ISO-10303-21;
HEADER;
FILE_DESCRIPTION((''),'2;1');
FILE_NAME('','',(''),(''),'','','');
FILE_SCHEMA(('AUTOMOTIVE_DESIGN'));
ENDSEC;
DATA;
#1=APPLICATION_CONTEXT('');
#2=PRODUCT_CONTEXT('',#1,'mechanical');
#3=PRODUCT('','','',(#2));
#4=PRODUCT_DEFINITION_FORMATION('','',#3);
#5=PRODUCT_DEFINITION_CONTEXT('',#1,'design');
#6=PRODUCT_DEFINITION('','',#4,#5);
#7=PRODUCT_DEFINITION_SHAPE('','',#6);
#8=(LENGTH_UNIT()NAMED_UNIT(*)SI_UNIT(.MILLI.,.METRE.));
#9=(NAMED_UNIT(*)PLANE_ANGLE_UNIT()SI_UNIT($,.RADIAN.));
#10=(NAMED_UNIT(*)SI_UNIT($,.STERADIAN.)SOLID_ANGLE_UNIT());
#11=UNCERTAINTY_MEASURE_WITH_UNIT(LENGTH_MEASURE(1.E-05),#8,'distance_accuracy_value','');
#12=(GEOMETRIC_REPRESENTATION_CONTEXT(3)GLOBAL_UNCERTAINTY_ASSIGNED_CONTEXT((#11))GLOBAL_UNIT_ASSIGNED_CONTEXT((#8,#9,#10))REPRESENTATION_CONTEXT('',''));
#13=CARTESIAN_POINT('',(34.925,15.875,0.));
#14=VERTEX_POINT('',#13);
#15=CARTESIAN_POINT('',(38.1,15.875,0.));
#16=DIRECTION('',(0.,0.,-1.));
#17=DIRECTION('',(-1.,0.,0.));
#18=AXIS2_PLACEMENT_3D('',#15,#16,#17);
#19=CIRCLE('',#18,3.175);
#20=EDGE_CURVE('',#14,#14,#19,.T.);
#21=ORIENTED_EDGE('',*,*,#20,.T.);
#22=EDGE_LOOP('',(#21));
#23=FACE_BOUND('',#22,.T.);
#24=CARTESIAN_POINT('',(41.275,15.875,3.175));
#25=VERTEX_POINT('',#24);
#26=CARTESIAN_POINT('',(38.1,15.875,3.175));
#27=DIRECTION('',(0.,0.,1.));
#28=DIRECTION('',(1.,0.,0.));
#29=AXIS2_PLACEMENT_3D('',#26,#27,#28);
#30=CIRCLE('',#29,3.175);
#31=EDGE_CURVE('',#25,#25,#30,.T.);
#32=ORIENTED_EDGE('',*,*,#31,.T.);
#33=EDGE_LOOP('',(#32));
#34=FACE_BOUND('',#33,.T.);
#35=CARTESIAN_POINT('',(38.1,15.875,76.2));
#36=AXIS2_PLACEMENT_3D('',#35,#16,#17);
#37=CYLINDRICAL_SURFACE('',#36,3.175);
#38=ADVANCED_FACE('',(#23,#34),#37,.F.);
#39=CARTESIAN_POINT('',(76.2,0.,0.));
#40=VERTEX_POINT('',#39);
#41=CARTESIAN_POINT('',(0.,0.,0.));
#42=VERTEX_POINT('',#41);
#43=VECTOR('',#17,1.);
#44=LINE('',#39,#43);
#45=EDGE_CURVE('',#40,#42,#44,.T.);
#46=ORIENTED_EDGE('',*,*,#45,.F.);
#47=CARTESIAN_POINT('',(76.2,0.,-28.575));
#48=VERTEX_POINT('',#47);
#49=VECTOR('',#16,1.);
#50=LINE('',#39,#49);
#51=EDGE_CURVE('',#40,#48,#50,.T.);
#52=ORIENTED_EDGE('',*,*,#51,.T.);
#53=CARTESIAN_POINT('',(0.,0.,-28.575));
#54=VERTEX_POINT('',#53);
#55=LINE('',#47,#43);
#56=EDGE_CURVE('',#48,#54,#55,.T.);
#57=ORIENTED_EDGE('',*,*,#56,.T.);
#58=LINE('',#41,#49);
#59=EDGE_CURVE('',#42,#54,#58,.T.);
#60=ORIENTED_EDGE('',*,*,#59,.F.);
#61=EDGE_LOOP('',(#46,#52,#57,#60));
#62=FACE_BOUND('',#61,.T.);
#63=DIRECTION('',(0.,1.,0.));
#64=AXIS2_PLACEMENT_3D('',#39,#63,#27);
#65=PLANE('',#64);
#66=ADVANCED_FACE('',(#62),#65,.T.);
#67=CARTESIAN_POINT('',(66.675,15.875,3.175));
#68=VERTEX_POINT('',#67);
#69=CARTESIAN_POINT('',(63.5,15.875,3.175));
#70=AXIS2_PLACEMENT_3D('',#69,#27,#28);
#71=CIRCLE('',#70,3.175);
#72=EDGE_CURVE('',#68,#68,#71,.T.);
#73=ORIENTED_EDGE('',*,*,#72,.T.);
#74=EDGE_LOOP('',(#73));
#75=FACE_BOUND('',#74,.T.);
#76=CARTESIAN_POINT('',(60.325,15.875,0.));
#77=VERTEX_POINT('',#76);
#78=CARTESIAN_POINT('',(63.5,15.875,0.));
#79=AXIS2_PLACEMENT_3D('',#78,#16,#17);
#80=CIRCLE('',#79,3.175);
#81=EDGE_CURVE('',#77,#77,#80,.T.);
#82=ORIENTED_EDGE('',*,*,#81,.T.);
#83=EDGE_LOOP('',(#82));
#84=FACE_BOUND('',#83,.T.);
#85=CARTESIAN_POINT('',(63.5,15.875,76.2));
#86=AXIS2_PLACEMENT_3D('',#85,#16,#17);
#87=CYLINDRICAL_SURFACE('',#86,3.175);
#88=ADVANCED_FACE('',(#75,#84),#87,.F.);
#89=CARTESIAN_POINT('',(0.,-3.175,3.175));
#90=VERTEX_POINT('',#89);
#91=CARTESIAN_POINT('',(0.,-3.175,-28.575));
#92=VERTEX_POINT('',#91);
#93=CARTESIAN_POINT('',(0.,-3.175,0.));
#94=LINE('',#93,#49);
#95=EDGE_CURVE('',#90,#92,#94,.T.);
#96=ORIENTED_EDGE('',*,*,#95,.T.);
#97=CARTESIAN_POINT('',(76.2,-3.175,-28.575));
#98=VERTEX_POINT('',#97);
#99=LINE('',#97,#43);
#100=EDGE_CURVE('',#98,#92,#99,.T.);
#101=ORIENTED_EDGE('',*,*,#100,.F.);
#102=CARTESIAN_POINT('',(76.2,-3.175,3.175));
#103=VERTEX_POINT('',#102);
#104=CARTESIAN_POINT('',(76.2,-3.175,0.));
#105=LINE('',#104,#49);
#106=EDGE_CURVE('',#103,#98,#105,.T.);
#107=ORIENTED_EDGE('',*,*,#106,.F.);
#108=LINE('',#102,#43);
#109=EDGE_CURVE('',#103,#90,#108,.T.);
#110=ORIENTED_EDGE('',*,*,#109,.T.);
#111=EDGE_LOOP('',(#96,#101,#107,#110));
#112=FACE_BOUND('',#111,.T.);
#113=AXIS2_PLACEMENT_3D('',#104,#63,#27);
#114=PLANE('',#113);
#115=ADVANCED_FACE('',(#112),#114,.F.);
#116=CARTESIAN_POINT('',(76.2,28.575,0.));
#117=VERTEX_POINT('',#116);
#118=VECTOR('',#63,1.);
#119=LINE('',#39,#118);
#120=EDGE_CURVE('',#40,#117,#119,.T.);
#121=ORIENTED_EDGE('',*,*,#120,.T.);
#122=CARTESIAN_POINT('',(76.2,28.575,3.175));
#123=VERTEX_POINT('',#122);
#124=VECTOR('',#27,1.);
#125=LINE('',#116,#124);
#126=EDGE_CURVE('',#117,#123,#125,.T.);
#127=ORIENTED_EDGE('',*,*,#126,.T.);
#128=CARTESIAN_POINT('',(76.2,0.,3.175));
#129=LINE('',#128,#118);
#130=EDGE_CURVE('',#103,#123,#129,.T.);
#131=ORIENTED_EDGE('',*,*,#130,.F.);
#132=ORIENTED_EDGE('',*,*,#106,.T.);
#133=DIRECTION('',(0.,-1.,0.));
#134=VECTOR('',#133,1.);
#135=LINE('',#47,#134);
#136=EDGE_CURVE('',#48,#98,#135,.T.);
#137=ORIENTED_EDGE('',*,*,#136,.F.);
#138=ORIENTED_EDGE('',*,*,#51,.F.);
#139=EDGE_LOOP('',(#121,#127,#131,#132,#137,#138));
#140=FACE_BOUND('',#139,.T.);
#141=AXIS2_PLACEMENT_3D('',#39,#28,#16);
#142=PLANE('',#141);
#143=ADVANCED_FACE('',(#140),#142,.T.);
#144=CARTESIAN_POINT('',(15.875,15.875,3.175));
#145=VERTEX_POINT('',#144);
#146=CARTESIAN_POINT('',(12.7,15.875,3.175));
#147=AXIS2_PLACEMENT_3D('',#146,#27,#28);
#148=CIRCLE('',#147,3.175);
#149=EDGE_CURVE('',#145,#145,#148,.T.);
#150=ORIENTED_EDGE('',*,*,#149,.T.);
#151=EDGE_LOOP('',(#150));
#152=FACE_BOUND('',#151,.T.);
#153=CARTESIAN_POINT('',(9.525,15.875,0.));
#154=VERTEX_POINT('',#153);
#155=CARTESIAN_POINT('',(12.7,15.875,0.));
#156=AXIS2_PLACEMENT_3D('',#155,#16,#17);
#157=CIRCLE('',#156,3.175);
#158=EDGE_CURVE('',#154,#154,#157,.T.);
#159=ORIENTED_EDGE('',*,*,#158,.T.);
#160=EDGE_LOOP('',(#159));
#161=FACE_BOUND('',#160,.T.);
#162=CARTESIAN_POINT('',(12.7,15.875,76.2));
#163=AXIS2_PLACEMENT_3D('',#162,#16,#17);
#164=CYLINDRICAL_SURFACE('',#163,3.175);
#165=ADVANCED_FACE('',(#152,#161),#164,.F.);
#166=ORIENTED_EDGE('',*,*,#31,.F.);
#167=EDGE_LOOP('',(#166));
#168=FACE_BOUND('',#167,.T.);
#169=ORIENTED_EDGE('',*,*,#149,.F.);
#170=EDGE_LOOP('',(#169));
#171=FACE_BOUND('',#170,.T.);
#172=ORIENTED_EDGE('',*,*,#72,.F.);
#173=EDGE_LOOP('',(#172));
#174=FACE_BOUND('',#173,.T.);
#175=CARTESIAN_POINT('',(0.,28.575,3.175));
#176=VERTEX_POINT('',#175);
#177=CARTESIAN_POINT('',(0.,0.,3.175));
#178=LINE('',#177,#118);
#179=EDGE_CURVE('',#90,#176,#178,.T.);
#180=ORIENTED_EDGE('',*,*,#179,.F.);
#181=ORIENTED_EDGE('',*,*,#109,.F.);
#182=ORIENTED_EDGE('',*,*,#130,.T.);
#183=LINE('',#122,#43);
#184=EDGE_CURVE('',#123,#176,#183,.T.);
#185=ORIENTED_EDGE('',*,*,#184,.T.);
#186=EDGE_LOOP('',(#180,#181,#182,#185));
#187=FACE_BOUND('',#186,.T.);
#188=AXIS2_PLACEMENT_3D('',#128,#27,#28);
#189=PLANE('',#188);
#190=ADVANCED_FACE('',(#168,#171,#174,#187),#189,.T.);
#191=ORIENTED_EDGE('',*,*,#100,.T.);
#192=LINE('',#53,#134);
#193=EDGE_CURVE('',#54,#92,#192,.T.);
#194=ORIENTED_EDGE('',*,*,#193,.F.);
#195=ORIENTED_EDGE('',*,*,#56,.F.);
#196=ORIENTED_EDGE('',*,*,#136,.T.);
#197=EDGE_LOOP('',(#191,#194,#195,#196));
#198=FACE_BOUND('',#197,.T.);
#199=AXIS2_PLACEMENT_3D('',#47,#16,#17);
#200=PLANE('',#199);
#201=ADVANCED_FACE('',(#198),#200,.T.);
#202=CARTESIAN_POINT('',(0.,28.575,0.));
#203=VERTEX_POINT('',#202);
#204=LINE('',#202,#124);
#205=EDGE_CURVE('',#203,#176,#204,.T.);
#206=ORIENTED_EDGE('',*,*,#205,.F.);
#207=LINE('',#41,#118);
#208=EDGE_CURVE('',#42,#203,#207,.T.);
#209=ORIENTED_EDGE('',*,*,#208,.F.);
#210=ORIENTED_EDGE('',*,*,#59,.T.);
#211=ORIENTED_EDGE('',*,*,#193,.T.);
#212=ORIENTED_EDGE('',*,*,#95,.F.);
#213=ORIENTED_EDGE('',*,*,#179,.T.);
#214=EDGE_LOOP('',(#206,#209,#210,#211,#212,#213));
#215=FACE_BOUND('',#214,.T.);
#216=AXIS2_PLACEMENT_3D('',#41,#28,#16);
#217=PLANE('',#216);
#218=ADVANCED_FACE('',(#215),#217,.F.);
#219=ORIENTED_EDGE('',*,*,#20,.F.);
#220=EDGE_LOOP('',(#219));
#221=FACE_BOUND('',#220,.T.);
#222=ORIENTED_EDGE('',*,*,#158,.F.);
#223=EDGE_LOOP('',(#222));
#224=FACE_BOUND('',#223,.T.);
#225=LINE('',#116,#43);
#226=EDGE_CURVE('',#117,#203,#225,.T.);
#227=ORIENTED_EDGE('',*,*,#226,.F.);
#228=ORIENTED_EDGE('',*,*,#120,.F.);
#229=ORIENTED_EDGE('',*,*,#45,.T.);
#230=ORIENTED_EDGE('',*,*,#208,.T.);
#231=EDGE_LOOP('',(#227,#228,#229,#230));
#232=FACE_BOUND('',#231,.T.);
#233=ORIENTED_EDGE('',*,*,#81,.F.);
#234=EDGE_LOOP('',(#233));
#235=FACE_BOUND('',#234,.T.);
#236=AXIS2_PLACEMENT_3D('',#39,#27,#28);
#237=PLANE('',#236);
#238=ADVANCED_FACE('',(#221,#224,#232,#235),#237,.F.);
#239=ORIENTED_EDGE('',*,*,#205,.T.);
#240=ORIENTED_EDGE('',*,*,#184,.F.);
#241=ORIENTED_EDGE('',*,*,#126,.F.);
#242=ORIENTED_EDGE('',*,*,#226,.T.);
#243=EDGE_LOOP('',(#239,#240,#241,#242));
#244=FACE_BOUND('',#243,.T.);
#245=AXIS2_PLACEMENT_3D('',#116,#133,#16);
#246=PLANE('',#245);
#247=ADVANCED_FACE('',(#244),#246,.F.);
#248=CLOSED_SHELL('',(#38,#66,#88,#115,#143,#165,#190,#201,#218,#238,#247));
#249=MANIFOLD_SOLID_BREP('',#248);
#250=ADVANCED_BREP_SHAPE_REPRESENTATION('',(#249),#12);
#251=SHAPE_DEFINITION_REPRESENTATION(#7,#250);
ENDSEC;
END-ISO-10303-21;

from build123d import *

# Parameters (mm, degrees)
SKETCH1_W           = 3.175
SKETCH1_H           = 28.575
BOSS_EXTRUDE1_DEPTH = 76.2
SKETCH2_R           = 3.175
CUT_EXTRUDE1_DEPTH  = 76.2


with BuildPart() as part:
    # Sketch1 → Boss-Extrude1 (new body)
    with BuildSketch(Plane(origin=(0, 0, 0), x_dir=(0, 0, -1), z_dir=(1, 0, 0))):
        with Locations((-1.5875, 14.2875)):
            Rectangle(SKETCH1_W, SKETCH1_H)
        Polygon((28.575, 0), (0, 0), (-3.175, 0), (-3.175, -3.175), (28.575, -3.175), align=None)
    extrude(amount=BOSS_EXTRUDE1_DEPTH)

    # Sketch2 → Cut-Extrude1 (cut)
    with BuildSketch(Plane(origin=(0, 0, 0), x_dir=(-1, 0, 0), z_dir=(0, 0, -1))):
        with Locations((-38.1, 15.875)):
            Circle(SKETCH2_R)
        with Locations((-63.5, 15.875)):
            Circle(SKETCH2_R)
        with Locations((-12.7, 15.875)):
            Circle(SKETCH2_R)
    extrude(amount=-CUT_EXTRUDE1_DEPTH, mode=Mode.SUBTRACT)


solid = part.part
